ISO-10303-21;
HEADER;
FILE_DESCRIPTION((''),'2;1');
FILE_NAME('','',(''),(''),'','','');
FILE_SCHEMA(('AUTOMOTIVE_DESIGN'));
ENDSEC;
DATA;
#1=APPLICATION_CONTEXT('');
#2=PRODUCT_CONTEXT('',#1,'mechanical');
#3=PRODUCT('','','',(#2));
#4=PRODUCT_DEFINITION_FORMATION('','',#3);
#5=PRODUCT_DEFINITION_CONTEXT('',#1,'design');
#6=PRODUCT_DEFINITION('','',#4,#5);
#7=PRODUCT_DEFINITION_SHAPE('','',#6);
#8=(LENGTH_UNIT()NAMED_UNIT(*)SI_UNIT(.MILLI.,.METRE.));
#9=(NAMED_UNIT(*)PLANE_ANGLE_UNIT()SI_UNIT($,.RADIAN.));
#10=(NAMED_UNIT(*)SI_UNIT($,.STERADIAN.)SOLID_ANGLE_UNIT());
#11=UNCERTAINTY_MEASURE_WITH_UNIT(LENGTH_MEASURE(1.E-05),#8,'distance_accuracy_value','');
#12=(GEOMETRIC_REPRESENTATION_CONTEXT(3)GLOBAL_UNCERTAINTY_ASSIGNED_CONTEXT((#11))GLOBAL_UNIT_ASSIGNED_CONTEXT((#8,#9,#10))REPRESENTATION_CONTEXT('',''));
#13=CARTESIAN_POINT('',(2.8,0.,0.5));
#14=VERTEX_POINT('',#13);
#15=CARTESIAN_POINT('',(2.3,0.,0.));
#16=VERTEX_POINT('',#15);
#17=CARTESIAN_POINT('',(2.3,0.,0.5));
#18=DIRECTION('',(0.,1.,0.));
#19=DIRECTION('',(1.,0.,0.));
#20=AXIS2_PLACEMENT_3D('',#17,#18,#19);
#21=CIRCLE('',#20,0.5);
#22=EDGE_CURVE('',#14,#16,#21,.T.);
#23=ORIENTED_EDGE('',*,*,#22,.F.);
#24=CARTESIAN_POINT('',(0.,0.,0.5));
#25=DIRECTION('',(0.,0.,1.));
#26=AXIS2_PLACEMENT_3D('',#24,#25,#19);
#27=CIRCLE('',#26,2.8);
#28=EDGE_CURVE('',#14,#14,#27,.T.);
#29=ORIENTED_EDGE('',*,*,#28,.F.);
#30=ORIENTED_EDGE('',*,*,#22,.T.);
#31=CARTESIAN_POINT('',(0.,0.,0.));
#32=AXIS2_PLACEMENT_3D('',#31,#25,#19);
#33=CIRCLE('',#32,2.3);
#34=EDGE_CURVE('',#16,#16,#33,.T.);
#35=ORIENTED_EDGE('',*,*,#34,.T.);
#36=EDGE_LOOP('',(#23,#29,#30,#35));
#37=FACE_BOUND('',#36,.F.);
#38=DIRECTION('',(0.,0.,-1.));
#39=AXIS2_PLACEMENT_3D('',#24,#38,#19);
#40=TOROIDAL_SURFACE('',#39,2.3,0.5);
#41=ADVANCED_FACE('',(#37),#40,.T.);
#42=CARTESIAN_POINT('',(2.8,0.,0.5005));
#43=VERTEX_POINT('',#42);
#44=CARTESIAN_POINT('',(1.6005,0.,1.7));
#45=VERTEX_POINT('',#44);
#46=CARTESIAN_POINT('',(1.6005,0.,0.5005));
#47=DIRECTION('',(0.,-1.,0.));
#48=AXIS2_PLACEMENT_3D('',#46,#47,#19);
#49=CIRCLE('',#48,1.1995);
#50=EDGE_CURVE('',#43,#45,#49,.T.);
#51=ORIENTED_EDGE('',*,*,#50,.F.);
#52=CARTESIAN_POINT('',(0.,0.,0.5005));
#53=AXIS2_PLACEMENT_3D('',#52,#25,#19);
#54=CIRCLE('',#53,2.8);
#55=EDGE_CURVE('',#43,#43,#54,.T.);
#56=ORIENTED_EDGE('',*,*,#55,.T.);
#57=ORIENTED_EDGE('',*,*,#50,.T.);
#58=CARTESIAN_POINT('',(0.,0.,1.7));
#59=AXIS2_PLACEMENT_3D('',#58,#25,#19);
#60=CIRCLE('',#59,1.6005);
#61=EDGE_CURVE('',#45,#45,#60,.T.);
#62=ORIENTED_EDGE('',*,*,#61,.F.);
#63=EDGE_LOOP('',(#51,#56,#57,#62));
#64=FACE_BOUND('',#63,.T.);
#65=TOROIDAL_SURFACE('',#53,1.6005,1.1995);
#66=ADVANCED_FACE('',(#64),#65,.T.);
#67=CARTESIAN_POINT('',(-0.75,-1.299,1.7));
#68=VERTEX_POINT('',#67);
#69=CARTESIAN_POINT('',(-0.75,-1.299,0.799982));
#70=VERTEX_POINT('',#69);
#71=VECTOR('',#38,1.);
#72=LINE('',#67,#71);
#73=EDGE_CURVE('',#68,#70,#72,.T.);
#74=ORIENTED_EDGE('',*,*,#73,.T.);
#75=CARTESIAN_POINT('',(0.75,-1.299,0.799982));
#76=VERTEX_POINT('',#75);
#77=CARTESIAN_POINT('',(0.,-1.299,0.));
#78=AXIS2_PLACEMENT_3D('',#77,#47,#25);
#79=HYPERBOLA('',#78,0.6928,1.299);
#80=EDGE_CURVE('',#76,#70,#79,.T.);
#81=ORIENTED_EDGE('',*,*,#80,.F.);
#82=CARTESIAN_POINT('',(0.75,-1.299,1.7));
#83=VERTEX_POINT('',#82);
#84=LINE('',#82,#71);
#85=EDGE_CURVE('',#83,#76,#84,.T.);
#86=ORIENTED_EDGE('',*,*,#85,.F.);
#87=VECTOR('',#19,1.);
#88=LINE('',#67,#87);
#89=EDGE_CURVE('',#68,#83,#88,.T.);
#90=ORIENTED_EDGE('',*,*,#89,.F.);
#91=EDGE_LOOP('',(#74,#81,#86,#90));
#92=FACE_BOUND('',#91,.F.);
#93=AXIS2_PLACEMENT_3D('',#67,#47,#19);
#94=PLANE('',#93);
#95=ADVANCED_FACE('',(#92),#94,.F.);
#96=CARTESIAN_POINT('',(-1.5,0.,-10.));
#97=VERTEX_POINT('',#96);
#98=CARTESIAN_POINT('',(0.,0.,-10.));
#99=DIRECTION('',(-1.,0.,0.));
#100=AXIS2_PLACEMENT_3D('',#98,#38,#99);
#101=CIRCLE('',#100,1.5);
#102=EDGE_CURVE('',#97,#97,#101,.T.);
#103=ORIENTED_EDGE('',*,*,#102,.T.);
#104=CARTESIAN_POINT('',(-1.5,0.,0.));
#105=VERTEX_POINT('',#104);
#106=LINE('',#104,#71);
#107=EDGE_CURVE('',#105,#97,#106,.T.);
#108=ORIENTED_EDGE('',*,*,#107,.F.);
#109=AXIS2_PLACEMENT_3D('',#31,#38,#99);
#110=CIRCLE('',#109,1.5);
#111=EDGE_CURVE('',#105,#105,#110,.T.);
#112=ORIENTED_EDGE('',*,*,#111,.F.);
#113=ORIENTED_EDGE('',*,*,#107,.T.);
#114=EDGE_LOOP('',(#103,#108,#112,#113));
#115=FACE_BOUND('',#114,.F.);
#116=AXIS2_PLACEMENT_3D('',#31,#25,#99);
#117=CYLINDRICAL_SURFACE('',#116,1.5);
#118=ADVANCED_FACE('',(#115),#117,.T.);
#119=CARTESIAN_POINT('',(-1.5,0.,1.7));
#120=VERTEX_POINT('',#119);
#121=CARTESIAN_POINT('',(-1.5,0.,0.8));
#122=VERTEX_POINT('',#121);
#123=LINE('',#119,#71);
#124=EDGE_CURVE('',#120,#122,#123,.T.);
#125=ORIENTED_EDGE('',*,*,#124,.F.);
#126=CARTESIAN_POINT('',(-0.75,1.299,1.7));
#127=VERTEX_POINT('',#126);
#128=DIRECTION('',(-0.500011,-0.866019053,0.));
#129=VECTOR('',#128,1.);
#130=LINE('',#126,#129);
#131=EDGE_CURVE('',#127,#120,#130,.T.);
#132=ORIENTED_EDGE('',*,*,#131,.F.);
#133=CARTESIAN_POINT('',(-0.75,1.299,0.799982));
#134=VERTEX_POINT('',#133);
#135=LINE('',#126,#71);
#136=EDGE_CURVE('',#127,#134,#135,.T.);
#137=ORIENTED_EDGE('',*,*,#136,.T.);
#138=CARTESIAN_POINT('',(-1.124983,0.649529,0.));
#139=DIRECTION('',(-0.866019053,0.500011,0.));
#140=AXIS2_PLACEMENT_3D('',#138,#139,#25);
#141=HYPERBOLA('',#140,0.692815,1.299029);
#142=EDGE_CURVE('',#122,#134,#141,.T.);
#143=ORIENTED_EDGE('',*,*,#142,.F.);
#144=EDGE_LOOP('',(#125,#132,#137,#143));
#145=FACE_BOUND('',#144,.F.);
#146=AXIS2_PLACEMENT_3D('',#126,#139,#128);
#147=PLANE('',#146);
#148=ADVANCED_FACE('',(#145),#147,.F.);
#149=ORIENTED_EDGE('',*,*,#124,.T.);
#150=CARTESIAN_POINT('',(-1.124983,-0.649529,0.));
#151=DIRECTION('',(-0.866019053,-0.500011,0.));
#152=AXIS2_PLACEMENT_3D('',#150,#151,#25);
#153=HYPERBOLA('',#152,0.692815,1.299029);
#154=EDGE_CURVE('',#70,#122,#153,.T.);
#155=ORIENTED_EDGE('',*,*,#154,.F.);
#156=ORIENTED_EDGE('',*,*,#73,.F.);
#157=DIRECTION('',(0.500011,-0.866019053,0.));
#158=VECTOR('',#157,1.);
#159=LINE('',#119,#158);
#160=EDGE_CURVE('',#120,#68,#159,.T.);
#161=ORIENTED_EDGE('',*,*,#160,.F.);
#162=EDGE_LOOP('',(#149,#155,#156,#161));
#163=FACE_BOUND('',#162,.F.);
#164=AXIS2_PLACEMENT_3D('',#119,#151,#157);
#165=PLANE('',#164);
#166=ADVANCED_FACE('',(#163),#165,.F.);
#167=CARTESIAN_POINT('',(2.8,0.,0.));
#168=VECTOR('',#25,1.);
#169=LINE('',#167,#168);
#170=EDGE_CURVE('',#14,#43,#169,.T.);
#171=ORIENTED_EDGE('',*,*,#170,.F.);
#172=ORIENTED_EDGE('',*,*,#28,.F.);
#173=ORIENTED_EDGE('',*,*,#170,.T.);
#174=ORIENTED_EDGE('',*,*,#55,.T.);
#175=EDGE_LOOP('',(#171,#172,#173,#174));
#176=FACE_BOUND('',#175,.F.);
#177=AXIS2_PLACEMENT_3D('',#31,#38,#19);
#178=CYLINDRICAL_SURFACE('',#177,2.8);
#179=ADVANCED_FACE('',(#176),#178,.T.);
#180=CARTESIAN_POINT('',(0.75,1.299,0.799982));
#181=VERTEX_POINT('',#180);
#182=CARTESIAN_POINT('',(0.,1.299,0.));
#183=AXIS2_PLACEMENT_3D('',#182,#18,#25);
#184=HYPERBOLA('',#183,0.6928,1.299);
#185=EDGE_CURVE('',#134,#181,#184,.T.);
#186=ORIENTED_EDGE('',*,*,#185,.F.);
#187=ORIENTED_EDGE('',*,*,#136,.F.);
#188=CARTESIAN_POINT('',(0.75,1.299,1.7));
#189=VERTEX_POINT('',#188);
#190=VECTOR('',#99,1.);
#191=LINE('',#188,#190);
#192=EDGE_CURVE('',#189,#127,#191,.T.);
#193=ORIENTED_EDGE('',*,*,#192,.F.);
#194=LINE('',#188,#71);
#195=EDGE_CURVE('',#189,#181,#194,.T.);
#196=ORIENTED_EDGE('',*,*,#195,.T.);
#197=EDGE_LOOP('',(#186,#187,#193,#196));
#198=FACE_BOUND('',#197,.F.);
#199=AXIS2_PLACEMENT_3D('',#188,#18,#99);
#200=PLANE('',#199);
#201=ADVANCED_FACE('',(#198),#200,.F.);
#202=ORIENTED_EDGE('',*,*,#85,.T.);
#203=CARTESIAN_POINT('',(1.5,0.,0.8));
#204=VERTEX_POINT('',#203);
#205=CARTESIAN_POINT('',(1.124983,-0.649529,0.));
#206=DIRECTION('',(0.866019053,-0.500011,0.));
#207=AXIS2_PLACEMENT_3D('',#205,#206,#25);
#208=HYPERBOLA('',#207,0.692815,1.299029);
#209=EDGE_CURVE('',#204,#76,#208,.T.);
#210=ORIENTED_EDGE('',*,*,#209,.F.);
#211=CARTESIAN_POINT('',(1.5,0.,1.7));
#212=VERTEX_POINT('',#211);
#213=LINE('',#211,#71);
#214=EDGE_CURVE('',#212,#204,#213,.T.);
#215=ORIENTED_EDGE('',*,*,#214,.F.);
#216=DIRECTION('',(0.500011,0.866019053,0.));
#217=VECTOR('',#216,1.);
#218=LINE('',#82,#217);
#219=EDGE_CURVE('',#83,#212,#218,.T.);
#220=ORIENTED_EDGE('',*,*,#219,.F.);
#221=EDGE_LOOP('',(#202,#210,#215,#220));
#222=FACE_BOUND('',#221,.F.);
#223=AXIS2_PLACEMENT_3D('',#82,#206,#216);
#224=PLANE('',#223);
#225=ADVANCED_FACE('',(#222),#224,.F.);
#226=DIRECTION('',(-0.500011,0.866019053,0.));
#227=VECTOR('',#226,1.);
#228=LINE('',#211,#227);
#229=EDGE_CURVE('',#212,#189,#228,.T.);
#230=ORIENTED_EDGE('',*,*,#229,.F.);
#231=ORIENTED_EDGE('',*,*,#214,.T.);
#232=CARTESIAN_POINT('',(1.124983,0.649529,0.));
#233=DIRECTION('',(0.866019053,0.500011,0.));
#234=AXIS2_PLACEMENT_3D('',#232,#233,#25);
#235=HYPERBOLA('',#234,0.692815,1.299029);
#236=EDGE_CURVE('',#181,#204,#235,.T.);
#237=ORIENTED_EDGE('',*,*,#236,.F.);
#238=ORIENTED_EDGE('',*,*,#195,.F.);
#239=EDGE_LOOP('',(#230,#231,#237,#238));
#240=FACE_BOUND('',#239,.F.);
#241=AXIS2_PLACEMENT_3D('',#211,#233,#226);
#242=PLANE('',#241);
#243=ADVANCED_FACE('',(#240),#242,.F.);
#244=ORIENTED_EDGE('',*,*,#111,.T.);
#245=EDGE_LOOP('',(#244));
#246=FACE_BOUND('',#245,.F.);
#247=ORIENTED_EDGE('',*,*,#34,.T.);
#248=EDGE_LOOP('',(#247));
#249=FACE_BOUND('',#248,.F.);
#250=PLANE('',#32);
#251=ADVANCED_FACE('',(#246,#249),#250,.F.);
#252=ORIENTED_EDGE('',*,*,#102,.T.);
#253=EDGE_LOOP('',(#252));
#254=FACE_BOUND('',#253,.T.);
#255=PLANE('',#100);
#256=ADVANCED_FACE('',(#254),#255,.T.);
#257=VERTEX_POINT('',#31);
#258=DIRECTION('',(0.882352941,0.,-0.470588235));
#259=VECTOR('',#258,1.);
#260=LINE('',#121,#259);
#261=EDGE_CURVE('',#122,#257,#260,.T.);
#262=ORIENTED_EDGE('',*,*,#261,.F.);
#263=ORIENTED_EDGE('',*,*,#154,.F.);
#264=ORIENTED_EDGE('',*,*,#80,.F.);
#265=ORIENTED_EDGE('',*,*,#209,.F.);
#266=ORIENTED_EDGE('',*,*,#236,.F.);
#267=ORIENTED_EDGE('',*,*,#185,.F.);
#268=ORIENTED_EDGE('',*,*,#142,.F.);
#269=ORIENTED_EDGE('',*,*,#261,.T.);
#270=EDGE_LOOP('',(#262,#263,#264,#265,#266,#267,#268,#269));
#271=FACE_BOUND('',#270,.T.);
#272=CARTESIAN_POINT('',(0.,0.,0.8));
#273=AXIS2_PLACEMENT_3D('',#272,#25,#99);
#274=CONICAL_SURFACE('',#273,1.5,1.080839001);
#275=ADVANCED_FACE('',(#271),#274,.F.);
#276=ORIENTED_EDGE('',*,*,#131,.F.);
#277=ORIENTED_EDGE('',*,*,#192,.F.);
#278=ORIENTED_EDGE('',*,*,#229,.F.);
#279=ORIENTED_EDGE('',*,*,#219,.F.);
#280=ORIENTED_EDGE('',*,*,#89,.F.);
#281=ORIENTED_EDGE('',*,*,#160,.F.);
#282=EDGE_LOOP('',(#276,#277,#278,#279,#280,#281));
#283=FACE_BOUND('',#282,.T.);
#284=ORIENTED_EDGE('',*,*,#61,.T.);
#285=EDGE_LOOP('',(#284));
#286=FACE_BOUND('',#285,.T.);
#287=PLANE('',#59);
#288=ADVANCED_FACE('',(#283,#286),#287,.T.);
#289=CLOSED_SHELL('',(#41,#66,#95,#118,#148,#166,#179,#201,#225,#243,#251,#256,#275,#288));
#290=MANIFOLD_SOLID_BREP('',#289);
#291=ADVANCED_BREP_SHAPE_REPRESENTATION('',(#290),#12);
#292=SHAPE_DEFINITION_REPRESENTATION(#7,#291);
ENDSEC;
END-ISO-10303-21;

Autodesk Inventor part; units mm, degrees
ref_plane "YZ Plane" through (0, 0, 0) normal (1, 0, 0) x (0, 1, 0)
ref_plane "XZ Plane" through (0, 0, 0) normal (0, 1, 0) x (-1, 0, 0)
ref_plane "XY Plane" through (0, 0, 0) normal (0, 0, 1) x (1, 0, 0)
sketch "Sketch1" plane through (0, 0, 0) normal (0, 0, 1) x (1, 0, 0)
  circle A0 centre (0, 0) radius 2.8
  dimension "d0" = 5.6
extrude "Extrusion1" add sketch "Sketch1" along normal blind 1.7
fillet "Fillet3" radius 0.5 1 edges at (-2.8, 0, 0)
fillet "Fillet4" radius 1.2 1 edges at (-2.8, 0, 1.7)
sketch "Sketch2" plane through (0, 0, 1.7) normal (0, 0, 1) x (1, 0, 0)
  line L0 (-0.75, -1.299) -> (0.75, -1.299)
  line L1 (0.75, -1.299) -> (1.5, 0)
  line L2 (1.5, 0) -> (0.75, 1.299)
  line L3 (0.75, 1.299) -> (-0.75, 1.299)
  line L4 (-0.75, 1.299) -> (-1.5, 0)
  line L5 (-1.5, 0) -> (-0.75, -1.299)
  dimension "d7" = 3
extrude "Extrusion2" cut sketch "Sketch2" against normal blind 1.7
sketch "Sketch3" plane through (0, 0, 0) normal (0, 1, 0) x (-1, 0, 0)
  line L0 (0, 0) -> (1.5, 0)
  line L1 (2.3, 0) -> (-2.3, 0) projected
  line L2 (1.5, 0) -> (1.5, 0.8)
  line L3 (1.5, 0.8) -> (0, 0)
  line L4 (0, 0) -> (0, 2.432)
  dimension "d13" = 0
  dimension "d14" = 1.5
  dimension "d15" = 0.8
revolve "Revolution2" add sketch "Sketch3" angle 360 about axis through (0, 0, 0) along (0, 0, 1)
sketch "Sketch4" plane through (0, 0, 0) normal (0, 0, -1) x (-1, 0, 0)
  circle A0 centre (0, 0) radius 2.3 projected
  circle A1 centre (0, 0) radius 1.5
  dimension "d18" = 3
extrude "Extrusion3" add sketch "Sketch4" along normal blind 10 contours A1
thread "Thread1" size "M3x0.5" class "6g" standard "ANSI Metric M Profile" full length
properties part number "screw_M3_10_hex"
